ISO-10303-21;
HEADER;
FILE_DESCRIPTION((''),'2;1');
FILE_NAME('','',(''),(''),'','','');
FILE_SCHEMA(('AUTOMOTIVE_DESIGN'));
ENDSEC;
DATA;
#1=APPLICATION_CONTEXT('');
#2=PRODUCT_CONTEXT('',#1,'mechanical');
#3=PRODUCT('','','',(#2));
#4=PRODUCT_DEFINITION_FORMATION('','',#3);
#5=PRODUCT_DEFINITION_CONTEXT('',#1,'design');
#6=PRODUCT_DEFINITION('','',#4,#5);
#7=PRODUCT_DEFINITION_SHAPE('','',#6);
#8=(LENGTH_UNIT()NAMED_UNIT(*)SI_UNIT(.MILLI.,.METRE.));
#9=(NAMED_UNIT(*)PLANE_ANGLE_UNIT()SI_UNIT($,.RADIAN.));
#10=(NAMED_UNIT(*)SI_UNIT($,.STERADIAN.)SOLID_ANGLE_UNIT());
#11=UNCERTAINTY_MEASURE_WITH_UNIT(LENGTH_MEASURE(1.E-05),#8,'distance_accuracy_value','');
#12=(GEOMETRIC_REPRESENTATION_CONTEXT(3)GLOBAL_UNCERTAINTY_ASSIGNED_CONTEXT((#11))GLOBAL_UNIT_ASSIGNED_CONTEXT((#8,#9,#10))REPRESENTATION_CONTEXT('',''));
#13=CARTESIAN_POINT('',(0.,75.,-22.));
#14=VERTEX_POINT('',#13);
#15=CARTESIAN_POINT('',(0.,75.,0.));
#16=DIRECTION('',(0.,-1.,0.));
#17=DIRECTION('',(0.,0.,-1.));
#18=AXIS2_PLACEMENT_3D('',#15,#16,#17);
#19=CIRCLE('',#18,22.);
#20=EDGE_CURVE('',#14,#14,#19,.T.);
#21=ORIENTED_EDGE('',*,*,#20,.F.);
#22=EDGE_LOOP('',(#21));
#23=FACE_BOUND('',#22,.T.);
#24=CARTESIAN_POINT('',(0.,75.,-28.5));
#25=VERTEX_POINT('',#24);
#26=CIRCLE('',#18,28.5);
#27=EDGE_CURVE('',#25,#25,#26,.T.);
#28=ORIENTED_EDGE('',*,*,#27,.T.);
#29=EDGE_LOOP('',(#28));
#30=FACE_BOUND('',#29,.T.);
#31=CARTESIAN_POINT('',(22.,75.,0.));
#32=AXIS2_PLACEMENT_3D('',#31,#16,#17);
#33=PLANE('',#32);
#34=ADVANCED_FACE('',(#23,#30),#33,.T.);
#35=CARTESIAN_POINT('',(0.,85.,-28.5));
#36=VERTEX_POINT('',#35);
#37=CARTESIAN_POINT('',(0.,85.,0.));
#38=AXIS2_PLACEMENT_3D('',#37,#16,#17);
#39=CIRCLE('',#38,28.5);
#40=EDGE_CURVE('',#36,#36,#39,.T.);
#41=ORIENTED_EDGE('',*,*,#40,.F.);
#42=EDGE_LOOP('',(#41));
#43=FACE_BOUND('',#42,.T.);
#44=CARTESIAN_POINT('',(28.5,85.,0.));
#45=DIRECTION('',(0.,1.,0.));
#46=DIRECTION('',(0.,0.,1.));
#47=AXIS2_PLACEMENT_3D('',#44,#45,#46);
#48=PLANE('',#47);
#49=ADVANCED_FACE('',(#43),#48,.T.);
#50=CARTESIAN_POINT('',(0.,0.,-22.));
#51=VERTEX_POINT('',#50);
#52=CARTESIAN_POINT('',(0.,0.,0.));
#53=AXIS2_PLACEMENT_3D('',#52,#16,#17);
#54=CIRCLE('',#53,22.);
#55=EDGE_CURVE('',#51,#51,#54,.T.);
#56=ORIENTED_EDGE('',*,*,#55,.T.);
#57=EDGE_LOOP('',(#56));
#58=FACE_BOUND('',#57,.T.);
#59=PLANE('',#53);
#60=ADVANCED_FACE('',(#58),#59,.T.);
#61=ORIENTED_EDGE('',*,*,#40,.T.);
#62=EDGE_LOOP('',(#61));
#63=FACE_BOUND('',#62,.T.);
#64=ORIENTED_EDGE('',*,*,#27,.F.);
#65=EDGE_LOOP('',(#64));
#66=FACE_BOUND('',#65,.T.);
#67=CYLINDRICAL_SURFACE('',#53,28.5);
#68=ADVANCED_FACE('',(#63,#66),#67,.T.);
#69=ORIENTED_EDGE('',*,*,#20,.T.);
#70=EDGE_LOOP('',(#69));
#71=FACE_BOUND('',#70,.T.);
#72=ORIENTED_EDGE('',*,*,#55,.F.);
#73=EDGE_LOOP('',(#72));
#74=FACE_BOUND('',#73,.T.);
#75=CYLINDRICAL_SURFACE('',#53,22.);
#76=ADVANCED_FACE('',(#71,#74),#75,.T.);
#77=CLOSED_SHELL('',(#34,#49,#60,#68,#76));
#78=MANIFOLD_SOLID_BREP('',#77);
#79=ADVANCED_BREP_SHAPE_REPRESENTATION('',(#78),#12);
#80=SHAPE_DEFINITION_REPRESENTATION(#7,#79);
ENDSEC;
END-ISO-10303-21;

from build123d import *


with BuildPart() as part:
    # Sketch1 → Revolve1 (revolve)
    with BuildSketch(Plane.XY, mode=Mode.PRIVATE) as revolve1_sk:
        Polygon((0, 0), (22, 0), (22, 75), (28.5, 75), (28.5, 85), (0, 85), align=None)
    revolve(revolve1_sk.sketch.rotate(Axis((0, 0, 0), (0, 1, 0)), 90), axis=Axis((0, 0, 0), (0, 1, 0)))  # turned: the seam where the file's is


solid = part.part
